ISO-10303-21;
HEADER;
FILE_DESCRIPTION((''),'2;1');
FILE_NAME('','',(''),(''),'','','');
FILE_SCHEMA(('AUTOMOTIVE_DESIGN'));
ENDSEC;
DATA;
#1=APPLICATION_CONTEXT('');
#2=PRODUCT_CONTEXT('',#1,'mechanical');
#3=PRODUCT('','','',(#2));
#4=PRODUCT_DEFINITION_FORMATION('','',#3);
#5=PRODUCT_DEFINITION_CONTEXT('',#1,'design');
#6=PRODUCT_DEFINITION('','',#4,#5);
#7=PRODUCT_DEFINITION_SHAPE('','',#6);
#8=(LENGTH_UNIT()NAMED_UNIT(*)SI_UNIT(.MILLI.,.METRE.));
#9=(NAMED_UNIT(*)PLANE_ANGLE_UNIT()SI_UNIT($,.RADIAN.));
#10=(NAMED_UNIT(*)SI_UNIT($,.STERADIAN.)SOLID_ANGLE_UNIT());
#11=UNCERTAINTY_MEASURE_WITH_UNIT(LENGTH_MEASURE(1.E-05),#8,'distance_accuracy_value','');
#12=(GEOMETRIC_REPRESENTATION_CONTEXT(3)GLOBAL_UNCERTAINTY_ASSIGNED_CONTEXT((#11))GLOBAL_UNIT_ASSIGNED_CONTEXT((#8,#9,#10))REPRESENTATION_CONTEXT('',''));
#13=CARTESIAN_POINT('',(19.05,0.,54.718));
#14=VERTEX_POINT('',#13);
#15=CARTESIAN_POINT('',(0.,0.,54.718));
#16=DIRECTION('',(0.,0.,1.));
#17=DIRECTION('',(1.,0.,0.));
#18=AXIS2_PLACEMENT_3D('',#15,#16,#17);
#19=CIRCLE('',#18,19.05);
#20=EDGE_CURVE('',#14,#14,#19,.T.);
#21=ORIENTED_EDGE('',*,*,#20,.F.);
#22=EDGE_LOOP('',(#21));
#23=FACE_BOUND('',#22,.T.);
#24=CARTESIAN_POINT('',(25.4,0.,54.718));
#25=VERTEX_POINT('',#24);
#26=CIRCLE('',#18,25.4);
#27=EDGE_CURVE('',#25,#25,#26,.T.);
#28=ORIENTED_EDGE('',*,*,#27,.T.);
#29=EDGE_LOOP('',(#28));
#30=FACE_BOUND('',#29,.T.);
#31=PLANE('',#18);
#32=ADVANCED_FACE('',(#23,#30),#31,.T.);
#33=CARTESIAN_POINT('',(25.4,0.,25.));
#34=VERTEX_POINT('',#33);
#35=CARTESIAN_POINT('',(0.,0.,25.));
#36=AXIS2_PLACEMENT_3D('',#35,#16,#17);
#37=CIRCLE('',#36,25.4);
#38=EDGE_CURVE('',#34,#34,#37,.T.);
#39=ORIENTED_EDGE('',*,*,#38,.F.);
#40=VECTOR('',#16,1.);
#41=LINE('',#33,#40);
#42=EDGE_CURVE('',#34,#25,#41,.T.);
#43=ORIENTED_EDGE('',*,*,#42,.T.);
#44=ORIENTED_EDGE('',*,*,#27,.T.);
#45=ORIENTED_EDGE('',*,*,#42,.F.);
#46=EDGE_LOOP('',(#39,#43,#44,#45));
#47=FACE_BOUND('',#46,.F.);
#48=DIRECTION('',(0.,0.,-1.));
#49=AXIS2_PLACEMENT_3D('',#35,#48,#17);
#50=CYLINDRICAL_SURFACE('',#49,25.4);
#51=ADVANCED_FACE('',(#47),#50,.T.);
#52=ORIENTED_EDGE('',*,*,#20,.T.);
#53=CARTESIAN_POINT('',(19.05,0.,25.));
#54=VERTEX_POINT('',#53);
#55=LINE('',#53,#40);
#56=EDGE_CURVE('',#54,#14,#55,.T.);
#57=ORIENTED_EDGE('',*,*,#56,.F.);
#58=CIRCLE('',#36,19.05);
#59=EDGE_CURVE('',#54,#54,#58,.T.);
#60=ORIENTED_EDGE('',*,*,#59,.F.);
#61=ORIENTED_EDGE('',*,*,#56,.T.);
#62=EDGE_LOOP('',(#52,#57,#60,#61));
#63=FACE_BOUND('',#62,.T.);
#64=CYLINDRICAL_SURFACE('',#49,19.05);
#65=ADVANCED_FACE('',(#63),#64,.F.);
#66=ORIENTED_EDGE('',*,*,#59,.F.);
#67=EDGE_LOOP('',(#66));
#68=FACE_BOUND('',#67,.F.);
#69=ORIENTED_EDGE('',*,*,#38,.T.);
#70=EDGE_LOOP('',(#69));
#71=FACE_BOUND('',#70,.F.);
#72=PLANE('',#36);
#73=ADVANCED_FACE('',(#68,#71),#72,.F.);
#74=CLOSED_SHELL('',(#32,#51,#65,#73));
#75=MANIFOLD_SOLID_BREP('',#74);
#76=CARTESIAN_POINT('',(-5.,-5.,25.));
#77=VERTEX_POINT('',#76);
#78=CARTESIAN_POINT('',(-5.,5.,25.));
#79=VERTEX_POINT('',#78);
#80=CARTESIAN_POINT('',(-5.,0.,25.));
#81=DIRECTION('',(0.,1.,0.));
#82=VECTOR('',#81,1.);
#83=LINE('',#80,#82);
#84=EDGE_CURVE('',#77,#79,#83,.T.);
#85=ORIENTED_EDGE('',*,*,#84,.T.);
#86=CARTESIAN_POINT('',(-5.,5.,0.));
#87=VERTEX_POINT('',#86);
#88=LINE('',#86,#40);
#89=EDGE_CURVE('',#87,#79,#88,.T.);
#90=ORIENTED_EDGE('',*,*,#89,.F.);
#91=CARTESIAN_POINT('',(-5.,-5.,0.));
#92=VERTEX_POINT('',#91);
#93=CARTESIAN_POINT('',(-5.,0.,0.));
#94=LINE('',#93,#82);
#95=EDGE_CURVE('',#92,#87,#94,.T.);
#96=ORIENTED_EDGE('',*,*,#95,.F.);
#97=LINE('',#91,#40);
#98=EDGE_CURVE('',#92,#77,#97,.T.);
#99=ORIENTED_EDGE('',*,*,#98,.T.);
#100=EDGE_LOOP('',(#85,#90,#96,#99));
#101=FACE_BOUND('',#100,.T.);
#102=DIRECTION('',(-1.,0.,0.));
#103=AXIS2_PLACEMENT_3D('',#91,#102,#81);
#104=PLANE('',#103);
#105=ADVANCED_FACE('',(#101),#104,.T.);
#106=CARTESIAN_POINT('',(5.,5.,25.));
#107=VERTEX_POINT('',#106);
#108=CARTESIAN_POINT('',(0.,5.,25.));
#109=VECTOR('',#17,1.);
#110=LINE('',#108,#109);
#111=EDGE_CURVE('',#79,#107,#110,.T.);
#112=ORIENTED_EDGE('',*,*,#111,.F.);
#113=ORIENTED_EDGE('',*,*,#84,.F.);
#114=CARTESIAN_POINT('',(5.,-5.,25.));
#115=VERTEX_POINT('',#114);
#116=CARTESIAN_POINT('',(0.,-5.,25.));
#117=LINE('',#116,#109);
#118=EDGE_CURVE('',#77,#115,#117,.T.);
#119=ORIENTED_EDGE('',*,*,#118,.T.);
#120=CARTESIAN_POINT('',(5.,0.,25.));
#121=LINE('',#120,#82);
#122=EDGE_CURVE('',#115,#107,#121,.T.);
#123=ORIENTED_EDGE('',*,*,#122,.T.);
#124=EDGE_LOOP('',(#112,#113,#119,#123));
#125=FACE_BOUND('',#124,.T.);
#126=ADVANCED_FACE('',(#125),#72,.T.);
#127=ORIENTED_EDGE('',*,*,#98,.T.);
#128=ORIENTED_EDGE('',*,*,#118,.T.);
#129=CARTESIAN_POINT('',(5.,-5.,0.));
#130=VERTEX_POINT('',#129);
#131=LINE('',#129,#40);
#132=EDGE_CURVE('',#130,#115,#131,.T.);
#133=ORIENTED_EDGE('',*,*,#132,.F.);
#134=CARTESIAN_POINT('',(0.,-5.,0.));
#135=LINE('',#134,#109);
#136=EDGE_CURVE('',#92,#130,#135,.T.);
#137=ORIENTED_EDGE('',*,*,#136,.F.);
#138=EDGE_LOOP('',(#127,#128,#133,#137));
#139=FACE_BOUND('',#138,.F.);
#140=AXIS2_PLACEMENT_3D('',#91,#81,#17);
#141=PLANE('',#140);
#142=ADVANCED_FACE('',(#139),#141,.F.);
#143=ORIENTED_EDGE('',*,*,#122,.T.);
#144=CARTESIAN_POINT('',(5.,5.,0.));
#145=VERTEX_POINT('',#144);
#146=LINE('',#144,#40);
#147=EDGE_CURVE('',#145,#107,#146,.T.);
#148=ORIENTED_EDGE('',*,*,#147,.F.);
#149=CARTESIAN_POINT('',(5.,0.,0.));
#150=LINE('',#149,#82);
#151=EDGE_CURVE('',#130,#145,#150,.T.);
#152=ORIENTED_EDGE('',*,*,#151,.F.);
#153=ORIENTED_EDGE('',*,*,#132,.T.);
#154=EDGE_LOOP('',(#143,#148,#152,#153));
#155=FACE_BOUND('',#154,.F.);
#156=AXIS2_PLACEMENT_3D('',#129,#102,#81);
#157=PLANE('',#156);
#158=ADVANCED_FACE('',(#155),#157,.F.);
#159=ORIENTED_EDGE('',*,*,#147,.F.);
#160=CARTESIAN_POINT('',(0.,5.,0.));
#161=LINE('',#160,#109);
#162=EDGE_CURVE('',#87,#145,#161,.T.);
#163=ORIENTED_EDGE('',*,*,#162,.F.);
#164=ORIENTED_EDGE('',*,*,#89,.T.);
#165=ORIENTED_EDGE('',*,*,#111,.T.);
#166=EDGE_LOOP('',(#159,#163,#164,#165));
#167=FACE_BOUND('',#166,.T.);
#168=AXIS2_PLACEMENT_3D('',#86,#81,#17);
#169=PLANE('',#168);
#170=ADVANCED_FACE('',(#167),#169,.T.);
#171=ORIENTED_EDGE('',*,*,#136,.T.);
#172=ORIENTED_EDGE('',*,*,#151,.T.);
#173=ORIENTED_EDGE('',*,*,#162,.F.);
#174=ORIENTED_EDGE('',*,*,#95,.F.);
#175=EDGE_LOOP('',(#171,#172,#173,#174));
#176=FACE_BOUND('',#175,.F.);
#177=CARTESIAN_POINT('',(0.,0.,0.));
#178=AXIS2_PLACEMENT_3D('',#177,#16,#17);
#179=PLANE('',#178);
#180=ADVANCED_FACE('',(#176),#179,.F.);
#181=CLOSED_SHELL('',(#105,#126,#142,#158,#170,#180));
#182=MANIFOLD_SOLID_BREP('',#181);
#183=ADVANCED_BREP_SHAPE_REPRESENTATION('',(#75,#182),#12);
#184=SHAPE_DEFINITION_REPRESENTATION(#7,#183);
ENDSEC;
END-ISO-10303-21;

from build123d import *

# Parameters (mm, degrees)
F0_W     = 10
F0_H     = 10
F1_DEPTH = 25
F2_R     = 25.4
F2_R_2   = 19.05
F3_DEPTH = 29.718


with BuildPart() as f1:
    # F0 (on Top) → F1 (new body)
    with BuildSketch(Plane.XY):
        Rectangle(F0_W, F0_H)
    extrude(amount=F1_DEPTH)


with BuildPart() as f3:
    # F2 (on face) → F3 (new body)
    with BuildSketch(Plane.XY.offset(25)):
        Circle(F2_R)
        Circle(F2_R_2, mode=Mode.SUBTRACT)
    extrude(amount=F3_DEPTH)


solid = Compound([f1.part, f3.part])
